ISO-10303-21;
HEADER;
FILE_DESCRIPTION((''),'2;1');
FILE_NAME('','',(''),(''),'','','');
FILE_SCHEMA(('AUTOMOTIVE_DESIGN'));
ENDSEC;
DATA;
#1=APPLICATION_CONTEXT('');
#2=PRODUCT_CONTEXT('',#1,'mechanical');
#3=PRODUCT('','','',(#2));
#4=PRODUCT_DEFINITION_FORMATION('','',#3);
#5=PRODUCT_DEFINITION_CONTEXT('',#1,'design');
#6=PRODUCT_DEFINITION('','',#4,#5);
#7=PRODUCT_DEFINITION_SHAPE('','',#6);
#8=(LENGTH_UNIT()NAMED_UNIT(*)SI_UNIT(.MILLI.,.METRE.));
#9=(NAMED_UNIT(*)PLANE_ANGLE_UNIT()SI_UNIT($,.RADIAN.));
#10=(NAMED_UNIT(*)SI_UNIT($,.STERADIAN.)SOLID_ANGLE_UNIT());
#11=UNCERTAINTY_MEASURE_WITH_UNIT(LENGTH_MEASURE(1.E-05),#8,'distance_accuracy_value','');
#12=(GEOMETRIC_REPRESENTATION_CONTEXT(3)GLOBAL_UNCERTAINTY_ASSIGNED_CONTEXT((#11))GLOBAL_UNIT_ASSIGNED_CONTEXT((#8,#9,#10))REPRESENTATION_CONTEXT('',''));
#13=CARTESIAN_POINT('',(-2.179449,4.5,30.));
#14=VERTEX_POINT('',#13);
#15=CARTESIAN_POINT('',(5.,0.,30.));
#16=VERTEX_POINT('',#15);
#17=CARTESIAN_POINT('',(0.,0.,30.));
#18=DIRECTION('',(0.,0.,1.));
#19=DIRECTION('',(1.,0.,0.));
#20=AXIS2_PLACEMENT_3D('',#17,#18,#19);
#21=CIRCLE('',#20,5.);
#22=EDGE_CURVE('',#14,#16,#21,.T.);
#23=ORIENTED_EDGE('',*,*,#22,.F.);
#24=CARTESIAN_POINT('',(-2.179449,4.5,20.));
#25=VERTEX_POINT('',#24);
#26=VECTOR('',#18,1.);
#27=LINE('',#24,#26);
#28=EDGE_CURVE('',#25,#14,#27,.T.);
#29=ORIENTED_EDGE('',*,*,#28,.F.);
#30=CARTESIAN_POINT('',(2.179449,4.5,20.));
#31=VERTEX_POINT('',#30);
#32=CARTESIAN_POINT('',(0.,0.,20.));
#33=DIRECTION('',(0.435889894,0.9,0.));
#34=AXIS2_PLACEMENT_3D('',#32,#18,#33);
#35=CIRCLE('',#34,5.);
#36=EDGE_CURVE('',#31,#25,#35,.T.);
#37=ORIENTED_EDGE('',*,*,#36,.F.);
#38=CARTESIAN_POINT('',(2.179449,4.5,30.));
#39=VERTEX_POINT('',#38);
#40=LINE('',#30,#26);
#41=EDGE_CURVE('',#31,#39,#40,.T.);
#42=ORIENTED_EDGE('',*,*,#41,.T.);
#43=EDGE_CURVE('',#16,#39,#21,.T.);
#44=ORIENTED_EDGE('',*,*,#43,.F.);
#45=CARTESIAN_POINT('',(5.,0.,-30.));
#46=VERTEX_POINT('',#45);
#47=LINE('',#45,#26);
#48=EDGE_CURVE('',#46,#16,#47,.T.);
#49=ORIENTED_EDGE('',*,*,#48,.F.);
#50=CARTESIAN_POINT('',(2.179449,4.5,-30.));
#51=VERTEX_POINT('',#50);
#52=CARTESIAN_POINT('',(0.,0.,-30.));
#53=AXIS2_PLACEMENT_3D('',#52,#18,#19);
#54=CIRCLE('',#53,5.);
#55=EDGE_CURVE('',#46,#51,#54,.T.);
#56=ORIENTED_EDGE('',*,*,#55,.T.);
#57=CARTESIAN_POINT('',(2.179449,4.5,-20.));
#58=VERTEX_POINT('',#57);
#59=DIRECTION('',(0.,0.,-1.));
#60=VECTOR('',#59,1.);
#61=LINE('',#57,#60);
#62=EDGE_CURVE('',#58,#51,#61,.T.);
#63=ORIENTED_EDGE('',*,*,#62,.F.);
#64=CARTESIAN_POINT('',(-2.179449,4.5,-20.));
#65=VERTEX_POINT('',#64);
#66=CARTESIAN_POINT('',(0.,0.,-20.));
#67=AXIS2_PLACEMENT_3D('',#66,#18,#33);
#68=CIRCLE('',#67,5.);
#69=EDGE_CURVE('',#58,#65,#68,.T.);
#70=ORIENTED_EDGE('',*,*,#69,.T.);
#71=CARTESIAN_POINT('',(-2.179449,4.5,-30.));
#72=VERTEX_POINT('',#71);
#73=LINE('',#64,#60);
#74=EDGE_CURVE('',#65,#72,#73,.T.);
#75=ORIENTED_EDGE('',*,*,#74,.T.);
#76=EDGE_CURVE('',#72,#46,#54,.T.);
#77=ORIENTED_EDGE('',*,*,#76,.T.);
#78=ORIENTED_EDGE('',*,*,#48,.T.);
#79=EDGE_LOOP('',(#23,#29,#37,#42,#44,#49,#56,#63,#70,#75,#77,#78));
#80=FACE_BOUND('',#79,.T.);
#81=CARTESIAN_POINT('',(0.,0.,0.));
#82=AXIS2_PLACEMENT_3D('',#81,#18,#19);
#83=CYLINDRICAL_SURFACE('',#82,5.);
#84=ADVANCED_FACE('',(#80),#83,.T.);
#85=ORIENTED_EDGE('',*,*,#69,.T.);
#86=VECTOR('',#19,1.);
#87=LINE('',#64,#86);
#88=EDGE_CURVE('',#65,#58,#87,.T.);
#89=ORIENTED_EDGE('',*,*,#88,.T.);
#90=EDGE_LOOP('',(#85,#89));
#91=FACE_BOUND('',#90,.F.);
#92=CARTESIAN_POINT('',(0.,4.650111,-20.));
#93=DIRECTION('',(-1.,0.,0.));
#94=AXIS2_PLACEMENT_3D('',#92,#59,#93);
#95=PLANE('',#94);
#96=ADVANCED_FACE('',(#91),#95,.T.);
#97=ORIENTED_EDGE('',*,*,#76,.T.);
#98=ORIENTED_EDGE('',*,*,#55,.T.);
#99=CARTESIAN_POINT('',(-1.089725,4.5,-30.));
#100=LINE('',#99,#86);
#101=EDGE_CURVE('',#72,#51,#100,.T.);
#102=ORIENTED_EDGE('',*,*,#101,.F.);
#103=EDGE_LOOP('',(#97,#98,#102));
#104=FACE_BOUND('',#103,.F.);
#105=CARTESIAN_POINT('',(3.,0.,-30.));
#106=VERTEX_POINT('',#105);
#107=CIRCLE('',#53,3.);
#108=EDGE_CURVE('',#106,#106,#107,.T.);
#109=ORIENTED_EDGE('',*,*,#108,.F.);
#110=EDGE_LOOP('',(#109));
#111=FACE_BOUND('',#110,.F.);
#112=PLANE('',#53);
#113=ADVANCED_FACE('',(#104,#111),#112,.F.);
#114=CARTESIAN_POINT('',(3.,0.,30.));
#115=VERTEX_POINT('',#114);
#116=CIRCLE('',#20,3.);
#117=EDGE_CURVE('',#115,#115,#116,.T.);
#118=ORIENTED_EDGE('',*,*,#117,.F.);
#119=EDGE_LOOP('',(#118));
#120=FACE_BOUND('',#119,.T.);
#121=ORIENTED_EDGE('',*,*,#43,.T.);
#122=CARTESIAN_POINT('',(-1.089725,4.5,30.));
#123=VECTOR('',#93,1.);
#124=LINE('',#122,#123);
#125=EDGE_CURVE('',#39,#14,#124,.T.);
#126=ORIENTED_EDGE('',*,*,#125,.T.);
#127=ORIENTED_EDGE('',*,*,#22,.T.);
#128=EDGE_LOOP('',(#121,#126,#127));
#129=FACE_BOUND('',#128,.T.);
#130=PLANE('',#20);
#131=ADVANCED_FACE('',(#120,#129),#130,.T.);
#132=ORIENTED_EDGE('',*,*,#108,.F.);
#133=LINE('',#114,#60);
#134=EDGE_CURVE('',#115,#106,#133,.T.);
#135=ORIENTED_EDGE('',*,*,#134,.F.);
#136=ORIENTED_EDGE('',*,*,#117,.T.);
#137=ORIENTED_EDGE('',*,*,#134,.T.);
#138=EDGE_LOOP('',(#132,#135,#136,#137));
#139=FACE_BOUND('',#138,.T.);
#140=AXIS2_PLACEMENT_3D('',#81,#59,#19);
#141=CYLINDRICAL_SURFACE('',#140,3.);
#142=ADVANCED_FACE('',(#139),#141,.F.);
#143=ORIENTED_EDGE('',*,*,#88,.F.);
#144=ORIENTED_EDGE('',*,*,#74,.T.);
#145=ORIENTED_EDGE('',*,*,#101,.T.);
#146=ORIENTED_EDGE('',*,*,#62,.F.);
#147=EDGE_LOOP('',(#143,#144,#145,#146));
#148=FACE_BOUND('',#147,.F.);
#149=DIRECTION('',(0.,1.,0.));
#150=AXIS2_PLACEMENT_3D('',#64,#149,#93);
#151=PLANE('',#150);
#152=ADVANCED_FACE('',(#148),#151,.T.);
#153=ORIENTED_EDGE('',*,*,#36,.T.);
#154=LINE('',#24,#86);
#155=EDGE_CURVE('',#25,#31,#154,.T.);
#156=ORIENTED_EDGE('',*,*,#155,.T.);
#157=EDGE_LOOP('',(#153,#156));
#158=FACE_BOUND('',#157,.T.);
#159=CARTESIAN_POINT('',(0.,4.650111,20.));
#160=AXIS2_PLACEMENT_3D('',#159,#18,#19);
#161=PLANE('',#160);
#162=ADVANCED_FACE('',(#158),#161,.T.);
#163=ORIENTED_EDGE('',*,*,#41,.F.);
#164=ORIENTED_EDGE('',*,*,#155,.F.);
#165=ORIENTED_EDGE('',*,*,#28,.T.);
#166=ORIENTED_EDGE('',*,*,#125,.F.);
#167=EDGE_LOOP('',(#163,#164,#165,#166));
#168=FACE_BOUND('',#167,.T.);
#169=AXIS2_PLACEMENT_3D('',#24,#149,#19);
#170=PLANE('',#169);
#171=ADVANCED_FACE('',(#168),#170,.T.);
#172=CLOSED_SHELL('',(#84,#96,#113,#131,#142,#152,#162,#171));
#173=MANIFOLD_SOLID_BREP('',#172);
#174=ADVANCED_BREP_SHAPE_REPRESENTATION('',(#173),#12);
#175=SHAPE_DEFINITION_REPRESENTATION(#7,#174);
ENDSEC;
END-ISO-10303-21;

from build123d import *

# Parameters (mm, degrees)
SKETCH1_R           = 5
SKETCH1_R_2         = 3
BOSS_EXTRUDE1_DEPTH = 30
CUT_EXTRUDE1_START  = -10
CUT_EXTRUDE1_DEPTH  = 11


with BuildPart() as part:
    # Sketch1 → Boss-Extrude1 (new body, symmetric)
    with BuildSketch(Plane.XY):
        Circle(SKETCH1_R)
        Circle(SKETCH1_R_2, mode=Mode.SUBTRACT)
    extrude(amount=BOSS_EXTRUDE1_DEPTH, both=True)

    # Sketch4 → Cut-Extrude1 (cut)
    with BuildSketch(Plane.XY.offset(30).offset(CUT_EXTRUDE1_START)):
        with BuildLine():
            Line((-2.179449472, 4.5), (2.179449472, 4.5))
            ThreePointArc((2.179449472, 4.5), (0, 5), (-2.179449472, 4.5))
        make_face()
    cut_extrude1 = extrude(amount=CUT_EXTRUDE1_DEPTH, mode=Mode.SUBTRACT)

    # Mirror3: Cut-Extrude1 across plane
    add(cut_extrude1.mirror(Plane.XY), mode=Mode.SUBTRACT)


solid = part.part
